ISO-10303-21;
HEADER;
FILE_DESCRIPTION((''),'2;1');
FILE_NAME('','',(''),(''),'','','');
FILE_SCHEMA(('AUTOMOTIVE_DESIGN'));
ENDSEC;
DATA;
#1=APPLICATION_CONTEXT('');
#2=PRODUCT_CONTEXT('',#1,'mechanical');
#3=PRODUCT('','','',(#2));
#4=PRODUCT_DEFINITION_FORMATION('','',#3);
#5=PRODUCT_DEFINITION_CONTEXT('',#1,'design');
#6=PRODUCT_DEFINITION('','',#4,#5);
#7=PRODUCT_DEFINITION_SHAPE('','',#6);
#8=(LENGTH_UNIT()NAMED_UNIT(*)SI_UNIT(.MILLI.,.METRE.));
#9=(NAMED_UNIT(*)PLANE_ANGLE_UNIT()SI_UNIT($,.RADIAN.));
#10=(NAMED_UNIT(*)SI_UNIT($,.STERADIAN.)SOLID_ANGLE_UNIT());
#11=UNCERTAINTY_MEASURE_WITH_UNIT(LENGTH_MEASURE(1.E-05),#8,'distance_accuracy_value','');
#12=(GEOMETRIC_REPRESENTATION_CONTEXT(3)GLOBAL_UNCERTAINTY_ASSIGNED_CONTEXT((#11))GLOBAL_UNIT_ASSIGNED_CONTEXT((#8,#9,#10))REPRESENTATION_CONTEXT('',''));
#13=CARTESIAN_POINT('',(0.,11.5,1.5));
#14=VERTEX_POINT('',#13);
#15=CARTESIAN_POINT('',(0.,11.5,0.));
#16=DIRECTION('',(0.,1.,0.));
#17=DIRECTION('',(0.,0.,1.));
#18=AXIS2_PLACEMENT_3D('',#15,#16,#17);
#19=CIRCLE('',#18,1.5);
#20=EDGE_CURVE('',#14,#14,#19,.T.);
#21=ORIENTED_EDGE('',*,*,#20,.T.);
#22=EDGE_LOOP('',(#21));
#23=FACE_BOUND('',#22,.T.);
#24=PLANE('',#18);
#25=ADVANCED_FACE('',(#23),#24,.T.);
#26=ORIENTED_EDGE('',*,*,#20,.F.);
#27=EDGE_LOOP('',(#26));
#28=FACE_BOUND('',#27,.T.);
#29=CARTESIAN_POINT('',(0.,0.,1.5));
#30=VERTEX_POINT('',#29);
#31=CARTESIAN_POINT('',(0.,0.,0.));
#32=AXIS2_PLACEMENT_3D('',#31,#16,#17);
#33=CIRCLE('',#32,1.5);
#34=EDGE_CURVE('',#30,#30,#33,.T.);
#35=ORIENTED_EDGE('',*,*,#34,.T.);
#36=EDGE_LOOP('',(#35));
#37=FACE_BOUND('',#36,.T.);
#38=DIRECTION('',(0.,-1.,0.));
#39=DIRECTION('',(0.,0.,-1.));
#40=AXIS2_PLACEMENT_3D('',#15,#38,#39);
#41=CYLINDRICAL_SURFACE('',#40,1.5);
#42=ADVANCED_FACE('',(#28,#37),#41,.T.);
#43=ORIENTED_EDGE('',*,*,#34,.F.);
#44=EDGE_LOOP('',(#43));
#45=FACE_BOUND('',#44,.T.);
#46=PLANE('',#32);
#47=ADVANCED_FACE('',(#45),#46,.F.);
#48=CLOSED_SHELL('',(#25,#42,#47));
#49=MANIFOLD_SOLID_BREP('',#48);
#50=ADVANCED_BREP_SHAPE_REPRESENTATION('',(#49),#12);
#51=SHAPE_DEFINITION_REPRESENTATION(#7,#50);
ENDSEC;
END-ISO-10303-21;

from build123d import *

# Parameters (mm, degrees)
SKETCH1_R           = 1.5
BOSS_EXTRUDE1_DEPTH = 11.5


with BuildPart() as part:
    # Sketch1 → Boss-Extrude1 (new body)
    with BuildSketch(Plane(origin=(0, 0, 0), x_dir=(1, 0, 0), z_dir=(0, 1, 0))):
        with Locations(Location((0, 0, 0), (0, 0, 270))):
            Circle(SKETCH1_R)
    extrude(amount=BOSS_EXTRUDE1_DEPTH)


solid = part.part
